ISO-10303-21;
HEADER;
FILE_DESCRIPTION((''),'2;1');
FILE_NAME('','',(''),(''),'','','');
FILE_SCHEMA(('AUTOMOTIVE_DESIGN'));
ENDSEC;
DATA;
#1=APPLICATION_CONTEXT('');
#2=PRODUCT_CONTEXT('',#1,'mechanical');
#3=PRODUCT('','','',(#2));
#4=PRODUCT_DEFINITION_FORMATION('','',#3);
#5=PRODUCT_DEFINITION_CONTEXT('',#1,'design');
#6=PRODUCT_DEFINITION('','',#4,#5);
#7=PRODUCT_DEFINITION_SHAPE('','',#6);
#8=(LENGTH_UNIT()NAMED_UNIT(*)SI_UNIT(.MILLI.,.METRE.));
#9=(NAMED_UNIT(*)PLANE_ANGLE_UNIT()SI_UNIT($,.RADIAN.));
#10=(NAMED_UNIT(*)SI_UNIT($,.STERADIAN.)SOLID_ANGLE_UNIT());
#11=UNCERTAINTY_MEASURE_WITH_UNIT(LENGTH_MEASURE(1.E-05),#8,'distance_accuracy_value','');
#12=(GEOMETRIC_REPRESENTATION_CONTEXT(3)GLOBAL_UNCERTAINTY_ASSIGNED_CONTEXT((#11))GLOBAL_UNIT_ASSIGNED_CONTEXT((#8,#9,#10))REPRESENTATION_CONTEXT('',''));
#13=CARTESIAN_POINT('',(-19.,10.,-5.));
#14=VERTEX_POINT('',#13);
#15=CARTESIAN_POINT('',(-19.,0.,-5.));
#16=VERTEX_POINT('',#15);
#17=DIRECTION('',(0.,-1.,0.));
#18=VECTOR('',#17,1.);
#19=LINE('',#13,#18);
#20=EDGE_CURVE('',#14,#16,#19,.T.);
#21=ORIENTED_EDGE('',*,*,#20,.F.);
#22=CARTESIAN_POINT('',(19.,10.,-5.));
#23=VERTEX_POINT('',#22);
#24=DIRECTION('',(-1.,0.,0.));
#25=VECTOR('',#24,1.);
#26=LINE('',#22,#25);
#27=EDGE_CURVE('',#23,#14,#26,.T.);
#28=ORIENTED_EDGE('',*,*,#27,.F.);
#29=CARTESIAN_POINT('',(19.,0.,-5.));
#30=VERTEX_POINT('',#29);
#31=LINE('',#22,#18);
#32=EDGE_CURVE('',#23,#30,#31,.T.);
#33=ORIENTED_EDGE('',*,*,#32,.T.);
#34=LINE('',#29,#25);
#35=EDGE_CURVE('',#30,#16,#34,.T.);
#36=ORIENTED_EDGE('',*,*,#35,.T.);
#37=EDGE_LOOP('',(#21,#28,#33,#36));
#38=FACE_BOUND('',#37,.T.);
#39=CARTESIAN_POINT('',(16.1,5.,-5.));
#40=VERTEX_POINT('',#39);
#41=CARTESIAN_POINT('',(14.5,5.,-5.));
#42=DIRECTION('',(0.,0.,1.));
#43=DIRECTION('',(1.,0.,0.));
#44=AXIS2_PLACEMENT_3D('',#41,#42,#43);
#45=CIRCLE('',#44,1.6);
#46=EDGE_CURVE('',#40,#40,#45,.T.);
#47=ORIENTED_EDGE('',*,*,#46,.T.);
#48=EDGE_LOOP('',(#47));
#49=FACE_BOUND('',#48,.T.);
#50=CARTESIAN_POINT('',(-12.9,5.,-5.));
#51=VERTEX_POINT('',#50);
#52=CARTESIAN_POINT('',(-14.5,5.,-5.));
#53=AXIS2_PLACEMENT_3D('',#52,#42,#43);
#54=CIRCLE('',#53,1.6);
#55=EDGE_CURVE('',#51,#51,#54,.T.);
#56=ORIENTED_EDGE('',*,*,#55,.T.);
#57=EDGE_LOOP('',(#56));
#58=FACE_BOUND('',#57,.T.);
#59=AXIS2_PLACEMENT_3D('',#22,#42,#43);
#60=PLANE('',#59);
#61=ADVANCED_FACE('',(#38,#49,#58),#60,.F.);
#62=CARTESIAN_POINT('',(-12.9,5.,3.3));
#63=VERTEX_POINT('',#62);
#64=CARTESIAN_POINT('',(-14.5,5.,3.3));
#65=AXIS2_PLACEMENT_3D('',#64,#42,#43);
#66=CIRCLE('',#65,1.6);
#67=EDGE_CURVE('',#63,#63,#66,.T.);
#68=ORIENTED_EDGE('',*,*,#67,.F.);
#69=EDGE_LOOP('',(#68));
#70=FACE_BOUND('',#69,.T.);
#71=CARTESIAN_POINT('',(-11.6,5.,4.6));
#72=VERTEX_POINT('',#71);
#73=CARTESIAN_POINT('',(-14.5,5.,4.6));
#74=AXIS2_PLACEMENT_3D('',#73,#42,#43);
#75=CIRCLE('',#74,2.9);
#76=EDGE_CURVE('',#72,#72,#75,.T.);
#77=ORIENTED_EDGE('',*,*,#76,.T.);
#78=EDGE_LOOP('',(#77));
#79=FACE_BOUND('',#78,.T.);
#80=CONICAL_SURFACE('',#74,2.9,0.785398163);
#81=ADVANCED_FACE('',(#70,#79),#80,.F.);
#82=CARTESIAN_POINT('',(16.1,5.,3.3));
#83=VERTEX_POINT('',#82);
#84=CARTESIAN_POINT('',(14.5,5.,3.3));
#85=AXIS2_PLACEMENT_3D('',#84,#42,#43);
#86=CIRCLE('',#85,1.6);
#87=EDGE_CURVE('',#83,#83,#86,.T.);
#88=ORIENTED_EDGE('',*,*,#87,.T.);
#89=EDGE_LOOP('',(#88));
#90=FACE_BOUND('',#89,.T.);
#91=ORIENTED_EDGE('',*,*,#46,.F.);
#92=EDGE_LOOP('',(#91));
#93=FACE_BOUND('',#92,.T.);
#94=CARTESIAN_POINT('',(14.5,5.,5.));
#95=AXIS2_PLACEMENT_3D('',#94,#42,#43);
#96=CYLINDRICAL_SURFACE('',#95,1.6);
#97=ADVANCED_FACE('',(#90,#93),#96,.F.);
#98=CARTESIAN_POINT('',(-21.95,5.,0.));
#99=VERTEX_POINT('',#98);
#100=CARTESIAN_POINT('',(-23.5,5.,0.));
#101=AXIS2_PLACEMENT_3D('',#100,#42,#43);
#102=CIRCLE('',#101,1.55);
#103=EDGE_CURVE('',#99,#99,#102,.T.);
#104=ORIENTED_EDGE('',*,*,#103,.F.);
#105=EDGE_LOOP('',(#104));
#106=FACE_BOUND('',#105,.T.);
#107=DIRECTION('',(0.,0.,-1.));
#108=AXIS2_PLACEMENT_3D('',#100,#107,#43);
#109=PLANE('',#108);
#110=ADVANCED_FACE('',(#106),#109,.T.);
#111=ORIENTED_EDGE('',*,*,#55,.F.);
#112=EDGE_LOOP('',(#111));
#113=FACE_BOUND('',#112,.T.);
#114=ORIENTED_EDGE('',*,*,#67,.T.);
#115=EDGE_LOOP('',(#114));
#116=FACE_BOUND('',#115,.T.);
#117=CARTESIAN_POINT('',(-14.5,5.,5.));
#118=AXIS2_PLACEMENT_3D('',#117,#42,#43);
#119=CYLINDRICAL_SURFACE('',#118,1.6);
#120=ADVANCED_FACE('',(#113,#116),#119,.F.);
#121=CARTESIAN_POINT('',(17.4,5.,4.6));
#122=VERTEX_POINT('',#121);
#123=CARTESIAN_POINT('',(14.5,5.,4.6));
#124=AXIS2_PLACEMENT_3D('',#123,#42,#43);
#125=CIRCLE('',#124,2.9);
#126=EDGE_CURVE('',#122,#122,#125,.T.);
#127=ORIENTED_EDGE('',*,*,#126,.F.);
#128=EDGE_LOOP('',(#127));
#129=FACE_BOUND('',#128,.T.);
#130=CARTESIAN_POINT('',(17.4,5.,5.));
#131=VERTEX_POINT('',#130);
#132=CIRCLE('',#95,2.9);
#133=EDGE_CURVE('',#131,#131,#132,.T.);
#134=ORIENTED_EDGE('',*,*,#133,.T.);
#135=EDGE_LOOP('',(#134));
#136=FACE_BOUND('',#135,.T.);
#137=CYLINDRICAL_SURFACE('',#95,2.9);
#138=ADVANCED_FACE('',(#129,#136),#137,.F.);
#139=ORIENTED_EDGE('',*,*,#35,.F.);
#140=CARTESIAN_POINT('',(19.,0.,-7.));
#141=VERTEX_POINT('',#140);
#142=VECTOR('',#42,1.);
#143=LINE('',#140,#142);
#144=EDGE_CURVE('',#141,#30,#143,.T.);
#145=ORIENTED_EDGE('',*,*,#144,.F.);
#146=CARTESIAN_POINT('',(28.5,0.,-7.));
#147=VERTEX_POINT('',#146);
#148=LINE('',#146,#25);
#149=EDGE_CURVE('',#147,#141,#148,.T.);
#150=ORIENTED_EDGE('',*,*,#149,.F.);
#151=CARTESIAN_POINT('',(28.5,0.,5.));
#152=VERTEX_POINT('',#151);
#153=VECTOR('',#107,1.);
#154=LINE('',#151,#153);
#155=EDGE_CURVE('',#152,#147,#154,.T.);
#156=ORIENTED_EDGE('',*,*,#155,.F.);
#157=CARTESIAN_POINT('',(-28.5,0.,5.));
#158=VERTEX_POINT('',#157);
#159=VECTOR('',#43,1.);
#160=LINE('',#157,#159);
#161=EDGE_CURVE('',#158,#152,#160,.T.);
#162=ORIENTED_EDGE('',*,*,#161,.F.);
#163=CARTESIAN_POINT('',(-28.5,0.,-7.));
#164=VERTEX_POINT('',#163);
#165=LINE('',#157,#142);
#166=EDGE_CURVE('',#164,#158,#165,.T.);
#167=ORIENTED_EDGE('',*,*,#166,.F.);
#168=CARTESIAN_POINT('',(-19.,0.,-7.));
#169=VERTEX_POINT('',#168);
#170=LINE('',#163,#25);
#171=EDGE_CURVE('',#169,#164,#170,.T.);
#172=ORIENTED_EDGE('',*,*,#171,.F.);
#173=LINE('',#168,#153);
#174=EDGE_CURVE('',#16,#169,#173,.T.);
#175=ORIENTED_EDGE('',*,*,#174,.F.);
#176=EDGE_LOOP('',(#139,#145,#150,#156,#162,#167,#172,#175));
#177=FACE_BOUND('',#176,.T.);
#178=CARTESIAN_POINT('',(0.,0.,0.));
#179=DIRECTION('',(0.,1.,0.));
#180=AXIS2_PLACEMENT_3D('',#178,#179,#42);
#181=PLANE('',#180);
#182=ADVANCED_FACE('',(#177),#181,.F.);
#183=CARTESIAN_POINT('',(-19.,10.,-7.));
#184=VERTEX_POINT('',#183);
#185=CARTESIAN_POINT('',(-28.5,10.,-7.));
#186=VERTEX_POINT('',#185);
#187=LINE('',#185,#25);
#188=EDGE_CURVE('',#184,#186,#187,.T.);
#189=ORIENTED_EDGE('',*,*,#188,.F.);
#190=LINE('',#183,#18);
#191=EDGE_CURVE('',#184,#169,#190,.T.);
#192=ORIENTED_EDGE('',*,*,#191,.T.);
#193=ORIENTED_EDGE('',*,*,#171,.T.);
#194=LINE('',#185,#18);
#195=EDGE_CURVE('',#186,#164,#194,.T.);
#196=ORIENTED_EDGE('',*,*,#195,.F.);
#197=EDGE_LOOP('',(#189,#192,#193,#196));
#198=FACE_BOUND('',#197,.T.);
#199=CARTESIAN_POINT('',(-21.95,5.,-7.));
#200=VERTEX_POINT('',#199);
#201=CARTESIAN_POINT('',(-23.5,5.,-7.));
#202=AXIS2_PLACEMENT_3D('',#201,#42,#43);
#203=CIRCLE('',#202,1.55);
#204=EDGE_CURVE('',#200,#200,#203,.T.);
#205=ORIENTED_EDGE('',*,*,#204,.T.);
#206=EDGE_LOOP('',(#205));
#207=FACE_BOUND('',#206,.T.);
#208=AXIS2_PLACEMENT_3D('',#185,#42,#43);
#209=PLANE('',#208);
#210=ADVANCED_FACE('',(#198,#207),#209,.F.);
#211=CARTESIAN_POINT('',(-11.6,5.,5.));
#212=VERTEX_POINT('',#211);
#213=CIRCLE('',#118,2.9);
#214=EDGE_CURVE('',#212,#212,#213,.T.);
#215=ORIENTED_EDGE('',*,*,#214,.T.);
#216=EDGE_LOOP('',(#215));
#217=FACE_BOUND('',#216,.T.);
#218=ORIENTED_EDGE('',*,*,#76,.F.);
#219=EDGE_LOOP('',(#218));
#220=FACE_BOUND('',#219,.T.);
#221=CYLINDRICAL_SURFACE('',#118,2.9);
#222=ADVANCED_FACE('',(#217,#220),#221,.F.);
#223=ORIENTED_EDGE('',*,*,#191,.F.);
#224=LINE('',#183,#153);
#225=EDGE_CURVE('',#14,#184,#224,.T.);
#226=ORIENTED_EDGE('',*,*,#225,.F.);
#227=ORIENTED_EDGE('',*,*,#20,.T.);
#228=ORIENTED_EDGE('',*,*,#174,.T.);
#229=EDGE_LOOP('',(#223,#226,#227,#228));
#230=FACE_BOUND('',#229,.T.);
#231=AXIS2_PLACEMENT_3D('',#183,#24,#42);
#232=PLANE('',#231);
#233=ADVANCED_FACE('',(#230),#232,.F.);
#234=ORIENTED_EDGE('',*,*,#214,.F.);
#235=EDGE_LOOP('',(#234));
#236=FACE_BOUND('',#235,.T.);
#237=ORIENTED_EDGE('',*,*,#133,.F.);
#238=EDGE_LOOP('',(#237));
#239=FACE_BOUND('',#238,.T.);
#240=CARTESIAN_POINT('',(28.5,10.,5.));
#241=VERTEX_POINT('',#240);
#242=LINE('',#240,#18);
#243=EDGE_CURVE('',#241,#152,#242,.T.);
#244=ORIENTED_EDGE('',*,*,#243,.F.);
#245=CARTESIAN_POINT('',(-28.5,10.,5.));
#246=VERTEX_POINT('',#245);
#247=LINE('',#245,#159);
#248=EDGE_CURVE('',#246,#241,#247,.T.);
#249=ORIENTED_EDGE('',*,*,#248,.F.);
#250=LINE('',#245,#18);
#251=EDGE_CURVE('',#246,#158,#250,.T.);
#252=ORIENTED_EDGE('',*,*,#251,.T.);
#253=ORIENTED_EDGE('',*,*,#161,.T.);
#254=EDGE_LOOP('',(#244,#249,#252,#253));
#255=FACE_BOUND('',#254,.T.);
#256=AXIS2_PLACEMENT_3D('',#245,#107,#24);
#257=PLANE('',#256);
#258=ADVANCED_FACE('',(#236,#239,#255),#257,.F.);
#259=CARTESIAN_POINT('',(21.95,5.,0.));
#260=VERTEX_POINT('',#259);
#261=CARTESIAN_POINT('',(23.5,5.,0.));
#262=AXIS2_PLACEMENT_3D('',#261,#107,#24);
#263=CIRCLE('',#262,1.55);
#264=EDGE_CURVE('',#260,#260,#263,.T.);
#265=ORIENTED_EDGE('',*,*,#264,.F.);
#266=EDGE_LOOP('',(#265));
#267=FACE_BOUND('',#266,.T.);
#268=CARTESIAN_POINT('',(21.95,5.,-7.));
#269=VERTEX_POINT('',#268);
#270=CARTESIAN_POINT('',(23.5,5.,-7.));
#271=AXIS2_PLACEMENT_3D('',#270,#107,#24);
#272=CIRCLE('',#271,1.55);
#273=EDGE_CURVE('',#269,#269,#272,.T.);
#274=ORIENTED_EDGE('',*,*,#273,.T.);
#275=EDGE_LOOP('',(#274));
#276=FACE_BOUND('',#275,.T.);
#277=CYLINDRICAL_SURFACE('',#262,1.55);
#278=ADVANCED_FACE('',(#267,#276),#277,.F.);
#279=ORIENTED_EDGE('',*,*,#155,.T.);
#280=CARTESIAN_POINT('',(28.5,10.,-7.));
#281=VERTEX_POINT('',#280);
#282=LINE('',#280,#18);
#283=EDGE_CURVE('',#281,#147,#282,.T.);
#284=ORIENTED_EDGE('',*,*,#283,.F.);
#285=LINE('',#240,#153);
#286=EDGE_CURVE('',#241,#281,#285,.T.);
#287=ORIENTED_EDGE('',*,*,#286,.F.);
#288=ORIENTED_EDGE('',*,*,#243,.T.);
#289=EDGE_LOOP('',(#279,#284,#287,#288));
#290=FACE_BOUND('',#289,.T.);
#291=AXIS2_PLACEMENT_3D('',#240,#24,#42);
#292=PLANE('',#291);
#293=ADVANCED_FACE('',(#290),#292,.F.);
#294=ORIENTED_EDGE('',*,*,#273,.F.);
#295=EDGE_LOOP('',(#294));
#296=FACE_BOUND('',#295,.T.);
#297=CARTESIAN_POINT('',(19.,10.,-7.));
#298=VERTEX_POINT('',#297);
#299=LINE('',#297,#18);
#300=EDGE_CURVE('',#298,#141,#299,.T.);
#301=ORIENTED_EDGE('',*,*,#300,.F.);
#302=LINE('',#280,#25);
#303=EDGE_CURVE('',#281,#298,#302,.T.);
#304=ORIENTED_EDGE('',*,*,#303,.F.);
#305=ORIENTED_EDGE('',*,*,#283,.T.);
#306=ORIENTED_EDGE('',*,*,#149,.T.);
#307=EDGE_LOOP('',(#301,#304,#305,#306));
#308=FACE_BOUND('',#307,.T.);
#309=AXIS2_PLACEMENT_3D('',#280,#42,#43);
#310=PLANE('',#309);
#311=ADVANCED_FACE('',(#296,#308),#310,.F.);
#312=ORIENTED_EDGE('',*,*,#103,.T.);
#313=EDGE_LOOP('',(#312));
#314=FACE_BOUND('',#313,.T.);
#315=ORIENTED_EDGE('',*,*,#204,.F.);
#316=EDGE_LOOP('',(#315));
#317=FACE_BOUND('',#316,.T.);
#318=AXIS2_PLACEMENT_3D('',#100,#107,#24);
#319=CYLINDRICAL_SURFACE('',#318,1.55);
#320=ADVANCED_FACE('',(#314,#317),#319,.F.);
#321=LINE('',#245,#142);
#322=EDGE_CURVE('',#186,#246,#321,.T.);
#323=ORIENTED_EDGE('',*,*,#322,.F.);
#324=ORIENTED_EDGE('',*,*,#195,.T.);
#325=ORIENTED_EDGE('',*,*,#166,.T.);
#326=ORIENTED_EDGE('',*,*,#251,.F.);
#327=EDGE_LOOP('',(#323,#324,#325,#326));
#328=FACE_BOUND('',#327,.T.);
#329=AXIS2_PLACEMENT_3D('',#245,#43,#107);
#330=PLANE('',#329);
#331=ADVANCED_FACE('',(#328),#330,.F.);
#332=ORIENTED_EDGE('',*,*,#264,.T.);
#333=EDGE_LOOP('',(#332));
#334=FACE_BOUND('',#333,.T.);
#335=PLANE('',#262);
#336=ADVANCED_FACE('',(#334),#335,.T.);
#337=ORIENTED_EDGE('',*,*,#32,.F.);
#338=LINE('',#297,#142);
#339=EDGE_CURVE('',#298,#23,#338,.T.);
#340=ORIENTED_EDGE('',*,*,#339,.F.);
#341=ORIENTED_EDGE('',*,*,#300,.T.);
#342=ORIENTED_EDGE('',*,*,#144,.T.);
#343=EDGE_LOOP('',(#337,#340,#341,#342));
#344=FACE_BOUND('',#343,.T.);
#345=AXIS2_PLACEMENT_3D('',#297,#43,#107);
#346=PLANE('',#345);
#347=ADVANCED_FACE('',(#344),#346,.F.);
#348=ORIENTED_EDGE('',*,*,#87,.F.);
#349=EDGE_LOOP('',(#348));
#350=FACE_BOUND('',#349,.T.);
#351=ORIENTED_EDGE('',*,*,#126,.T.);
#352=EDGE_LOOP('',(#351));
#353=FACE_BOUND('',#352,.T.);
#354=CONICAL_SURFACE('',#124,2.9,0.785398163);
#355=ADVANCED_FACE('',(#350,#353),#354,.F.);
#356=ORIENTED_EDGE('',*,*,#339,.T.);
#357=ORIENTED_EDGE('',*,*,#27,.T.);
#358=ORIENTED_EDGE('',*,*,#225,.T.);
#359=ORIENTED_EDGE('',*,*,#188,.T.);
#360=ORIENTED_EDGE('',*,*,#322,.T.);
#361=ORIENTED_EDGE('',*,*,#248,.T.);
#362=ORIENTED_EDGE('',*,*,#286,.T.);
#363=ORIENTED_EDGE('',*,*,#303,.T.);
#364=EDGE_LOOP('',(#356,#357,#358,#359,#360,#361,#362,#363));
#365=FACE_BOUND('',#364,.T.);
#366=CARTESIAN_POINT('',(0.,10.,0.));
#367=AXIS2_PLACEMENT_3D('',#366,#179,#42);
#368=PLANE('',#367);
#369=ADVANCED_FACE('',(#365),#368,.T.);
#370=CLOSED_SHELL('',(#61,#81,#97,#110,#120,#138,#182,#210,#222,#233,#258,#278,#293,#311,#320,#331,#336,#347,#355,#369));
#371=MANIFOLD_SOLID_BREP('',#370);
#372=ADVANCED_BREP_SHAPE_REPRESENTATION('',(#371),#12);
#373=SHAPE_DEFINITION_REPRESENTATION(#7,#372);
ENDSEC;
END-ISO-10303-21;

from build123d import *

# Parameters (mm, degrees)
BOSS_EXTRU_1_DEPTH      = 10
ESQUISSE2_R             = 1.55
ENL_V_MAT_EXTRU_1_DEPTH = 7


with BuildPart() as part:
    # Esquisse1 → Boss.-Extru.1 (new body)
    with BuildSketch(Plane(origin=(0, 0, 0), x_dir=(1, 0, 0), z_dir=(0, 1, 0))):
        Polygon((-28.5, -5), (28.5, -5), (28.5, 7), (19, 7), (19, 5), (-19, 5), (-19, 7), (-28.5, 7), align=None)
    extrude(amount=BOSS_EXTRU_1_DEPTH)

    # Esquisse2 → Enlèv. mat.-Extru.1 (cut)
    with BuildSketch(Plane(origin=(0, 0, -7), x_dir=(-1, 0, 0), z_dir=(0, 0, -1))):
        with Locations((-23.5, 5)):
            Circle(ESQUISSE2_R)
    enl_v_mat_extru_1 = extrude(amount=-ENL_V_MAT_EXTRU_1_DEPTH, mode=Mode.SUBTRACT)

    # Esquisse4 → Fraisage pour vis à tête fraisée à 6 pans creux M31 (revolve, cut)
    with BuildSketch(Plane(origin=(14.5, 5, 5), x_dir=(0, -1, 0), z_dir=(1, 0, 0))):
        Polygon((0, 0), (0, 12), (1.6, 12), (1.6, 1.7), (2.9, 0.4), (2.9, 0), align=None)
    fraisage_pour_vis_t_te_frais_e_6_pan = revolve(axis=Axis((14.5, 5, 11.35), (0, 0, -1)), mode=Mode.SUBTRACT)

    # Symétrie1: Enlèv. mat.-Extru.1, Fraisage pour vis à tête fraisée à 6 pans creux M31 across plane
    add(enl_v_mat_extru_1.mirror(Plane(origin=(0, 0, 0), x_dir=(0, 0, 1), z_dir=(1, 0, 0))), mode=Mode.SUBTRACT)
    add(fraisage_pour_vis_t_te_frais_e_6_pan.mirror(Plane(origin=(0, 0, 0), x_dir=(0, 0, 1), z_dir=(1, 0, 0))), mode=Mode.SUBTRACT)


solid = part.part
